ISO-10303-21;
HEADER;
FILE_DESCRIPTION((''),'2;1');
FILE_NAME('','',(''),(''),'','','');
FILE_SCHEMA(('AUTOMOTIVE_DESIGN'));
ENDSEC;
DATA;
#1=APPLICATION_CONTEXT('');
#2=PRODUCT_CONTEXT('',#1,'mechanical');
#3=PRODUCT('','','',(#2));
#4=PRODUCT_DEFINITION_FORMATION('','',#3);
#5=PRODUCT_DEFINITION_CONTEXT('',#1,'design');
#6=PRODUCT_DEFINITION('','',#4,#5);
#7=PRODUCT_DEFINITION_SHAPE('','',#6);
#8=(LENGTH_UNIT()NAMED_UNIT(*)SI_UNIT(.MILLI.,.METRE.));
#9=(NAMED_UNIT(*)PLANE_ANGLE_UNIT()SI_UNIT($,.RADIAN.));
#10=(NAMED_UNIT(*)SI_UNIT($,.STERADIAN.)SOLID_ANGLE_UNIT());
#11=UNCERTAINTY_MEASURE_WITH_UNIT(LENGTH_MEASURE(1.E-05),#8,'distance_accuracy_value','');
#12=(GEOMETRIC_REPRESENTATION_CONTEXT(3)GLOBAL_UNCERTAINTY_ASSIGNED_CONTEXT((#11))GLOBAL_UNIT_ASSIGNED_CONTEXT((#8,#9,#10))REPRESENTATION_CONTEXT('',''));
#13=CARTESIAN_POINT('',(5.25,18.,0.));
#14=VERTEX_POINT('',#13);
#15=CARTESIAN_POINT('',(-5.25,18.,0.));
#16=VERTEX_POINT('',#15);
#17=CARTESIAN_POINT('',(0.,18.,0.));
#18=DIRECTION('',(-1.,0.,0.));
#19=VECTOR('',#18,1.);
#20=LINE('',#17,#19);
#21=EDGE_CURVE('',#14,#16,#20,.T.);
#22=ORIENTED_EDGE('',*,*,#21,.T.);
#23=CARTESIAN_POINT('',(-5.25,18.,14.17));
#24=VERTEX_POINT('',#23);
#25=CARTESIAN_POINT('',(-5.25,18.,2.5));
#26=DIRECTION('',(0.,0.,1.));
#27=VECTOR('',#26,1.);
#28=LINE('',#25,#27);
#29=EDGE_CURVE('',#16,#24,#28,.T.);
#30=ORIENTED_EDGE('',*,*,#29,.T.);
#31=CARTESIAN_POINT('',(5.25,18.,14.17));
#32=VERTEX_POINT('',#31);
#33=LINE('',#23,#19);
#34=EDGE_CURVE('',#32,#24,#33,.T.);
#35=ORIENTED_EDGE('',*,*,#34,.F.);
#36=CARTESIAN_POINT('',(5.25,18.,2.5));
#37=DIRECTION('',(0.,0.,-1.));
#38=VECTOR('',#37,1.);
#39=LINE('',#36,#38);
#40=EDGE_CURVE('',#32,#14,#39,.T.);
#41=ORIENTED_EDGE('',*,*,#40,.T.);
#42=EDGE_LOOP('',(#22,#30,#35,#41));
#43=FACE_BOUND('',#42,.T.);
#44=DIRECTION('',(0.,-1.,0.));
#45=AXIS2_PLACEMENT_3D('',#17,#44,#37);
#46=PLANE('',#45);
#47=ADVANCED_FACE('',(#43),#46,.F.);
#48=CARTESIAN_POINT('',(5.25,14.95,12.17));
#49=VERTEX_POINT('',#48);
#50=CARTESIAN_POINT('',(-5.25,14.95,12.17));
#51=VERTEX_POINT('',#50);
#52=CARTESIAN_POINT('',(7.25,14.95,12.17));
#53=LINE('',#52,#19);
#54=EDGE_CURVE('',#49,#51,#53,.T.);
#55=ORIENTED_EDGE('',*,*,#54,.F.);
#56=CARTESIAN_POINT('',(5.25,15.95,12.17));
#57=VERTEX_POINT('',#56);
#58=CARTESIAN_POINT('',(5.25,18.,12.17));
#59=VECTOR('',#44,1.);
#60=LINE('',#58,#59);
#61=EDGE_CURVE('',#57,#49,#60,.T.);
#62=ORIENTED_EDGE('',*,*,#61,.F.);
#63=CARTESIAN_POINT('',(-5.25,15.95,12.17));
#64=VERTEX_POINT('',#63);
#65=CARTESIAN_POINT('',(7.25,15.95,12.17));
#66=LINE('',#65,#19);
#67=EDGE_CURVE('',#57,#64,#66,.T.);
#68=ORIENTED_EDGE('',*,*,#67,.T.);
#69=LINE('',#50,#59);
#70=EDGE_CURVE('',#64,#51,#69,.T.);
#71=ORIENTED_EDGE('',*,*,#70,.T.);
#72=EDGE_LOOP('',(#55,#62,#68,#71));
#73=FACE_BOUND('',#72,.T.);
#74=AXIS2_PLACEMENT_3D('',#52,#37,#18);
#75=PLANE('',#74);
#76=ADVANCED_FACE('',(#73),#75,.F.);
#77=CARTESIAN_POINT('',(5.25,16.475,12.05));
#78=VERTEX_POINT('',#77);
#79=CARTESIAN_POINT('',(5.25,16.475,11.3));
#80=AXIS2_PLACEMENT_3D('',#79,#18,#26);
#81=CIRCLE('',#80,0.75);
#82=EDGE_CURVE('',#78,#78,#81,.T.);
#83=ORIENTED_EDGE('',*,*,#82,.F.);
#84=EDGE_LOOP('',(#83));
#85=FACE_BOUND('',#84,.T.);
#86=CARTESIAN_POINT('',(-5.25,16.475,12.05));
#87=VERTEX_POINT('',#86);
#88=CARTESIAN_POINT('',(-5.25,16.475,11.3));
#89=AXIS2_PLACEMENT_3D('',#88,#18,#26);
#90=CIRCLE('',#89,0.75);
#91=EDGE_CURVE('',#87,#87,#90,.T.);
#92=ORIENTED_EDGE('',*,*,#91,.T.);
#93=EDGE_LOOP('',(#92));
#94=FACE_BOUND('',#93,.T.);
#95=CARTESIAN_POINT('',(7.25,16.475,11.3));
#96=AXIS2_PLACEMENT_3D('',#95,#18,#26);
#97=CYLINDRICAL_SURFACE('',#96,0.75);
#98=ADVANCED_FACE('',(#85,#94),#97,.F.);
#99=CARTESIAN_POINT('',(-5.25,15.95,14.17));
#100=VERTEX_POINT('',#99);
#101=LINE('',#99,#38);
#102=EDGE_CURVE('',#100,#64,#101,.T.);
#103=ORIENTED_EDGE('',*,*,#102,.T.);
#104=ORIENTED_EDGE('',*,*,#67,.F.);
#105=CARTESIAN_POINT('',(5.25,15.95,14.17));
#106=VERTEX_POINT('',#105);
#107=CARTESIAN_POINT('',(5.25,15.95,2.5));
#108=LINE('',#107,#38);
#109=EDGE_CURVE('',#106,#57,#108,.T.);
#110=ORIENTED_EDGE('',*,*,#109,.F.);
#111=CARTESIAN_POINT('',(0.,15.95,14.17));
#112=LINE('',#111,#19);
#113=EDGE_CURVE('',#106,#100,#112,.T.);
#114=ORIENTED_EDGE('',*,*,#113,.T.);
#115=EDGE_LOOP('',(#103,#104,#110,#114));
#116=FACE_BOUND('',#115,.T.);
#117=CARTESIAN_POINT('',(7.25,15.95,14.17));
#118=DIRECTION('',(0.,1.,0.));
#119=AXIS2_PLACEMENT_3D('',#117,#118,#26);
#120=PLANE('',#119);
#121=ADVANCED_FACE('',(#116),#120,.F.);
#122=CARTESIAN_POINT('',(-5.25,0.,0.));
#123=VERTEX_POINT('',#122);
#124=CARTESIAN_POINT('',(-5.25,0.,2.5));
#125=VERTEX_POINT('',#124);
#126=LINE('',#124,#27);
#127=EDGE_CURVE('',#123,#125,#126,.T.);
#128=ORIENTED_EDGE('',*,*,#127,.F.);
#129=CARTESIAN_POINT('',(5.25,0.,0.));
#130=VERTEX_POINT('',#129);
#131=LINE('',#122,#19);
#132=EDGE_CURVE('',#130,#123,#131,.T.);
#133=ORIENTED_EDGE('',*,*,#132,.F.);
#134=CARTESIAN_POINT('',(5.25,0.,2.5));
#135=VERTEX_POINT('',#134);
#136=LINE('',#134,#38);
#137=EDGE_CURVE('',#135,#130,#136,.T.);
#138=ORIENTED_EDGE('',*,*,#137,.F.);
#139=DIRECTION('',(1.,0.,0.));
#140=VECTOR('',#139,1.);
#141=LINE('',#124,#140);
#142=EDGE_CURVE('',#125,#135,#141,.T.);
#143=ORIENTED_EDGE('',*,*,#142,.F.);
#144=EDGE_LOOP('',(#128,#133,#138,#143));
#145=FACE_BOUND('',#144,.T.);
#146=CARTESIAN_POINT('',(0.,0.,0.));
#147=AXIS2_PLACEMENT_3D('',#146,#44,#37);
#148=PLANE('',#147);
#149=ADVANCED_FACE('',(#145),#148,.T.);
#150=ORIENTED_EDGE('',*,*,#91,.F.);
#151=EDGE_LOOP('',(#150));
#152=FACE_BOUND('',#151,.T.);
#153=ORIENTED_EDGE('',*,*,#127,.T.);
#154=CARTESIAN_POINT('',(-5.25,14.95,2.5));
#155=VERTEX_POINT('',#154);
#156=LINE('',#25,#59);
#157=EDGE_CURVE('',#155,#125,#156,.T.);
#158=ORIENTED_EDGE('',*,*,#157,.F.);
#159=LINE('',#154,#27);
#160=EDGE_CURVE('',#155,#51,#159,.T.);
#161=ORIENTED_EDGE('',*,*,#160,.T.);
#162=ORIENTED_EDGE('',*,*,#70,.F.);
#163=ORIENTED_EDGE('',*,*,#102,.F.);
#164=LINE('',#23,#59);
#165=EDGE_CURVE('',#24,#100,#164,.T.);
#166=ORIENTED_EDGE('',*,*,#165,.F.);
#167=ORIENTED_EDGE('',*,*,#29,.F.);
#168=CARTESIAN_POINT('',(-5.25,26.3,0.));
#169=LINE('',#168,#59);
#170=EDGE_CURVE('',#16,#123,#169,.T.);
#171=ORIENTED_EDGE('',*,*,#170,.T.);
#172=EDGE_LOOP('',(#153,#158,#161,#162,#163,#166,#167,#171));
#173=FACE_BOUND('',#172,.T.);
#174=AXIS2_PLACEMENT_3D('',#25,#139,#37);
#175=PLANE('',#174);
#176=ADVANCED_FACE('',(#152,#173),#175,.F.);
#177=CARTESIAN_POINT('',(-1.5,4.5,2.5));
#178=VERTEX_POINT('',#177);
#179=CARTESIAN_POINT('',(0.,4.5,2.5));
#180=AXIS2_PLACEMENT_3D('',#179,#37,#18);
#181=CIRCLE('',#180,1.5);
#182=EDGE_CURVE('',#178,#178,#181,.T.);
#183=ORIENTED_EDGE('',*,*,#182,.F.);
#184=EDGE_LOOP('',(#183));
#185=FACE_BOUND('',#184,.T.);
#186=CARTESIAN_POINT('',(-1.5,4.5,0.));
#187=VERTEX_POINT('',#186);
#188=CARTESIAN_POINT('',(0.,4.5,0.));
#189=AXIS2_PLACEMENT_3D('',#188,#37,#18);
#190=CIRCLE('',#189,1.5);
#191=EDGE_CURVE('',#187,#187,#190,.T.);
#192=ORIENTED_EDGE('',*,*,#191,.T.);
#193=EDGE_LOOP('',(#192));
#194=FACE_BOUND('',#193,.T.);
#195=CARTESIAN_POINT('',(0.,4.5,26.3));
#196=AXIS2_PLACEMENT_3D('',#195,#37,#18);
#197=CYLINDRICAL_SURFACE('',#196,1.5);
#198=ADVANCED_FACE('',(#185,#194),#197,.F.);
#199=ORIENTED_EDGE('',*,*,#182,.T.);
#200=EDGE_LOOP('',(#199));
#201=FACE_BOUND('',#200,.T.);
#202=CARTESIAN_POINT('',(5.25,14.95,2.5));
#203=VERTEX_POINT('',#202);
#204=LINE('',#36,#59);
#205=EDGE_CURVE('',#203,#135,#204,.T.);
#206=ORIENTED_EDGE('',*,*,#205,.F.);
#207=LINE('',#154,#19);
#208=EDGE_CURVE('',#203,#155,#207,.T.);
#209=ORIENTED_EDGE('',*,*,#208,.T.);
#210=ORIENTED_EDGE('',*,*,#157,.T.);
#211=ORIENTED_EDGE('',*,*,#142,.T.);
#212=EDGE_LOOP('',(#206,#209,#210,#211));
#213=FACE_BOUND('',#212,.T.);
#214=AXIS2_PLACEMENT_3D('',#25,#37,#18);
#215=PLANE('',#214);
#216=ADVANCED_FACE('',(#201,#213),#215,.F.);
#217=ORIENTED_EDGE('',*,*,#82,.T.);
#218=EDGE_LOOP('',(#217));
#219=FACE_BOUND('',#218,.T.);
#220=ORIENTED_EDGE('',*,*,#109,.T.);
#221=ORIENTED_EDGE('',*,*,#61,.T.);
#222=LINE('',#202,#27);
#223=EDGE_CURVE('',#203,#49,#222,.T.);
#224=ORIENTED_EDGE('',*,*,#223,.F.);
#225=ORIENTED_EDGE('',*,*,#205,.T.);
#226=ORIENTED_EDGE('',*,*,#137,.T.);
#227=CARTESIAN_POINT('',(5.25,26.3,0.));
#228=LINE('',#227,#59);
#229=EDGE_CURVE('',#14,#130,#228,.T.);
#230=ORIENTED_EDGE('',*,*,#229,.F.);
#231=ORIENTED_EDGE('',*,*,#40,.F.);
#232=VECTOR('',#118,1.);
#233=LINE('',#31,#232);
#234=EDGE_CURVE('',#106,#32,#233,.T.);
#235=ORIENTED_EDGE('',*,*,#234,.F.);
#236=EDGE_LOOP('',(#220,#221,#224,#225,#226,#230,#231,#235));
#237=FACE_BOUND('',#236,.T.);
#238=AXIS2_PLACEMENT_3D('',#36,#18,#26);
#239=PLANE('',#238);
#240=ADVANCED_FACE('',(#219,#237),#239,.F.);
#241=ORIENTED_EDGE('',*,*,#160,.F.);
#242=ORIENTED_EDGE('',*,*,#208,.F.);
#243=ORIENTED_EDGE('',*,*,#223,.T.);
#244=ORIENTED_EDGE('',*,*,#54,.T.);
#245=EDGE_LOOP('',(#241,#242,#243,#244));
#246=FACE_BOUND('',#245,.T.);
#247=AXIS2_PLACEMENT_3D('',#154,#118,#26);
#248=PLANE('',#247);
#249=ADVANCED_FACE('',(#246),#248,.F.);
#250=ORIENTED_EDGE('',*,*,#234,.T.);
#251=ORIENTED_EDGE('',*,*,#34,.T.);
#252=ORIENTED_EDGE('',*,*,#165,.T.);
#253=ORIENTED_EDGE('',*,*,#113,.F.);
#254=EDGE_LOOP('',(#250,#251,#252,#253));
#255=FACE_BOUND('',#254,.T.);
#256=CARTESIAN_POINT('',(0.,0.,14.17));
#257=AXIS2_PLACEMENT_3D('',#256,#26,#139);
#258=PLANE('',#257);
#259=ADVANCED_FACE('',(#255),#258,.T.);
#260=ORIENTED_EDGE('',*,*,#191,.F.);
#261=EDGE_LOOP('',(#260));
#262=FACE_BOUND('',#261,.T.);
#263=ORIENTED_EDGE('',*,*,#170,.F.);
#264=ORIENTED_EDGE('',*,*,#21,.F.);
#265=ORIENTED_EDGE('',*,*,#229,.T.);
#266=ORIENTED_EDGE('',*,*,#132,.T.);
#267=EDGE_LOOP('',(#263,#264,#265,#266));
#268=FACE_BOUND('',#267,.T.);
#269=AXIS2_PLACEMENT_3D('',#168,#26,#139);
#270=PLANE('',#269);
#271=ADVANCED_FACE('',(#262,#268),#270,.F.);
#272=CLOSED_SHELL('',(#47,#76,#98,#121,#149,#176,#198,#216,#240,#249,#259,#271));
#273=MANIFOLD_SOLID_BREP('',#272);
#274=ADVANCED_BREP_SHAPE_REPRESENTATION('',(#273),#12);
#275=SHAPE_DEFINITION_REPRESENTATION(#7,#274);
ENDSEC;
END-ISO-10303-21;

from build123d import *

# Parameters (mm, degrees)
SKETCH1_W           = 10.5
SKETCH1_H           = 5
BOSS_EXTRUDE1_DEPTH = 18
SKETCH2_W           = 10.5
SKETCH2_H           = 5
BOSS_EXTRUDE2_DEPTH = 7.3
SKETCH3_W           = 10.5
SKETCH3_H           = 1.95
CUT_EXTRUDE1_DEPTH  = 7.3
SKETCH4_W           = 10.5
SKETCH4_H           = 2.5
CUT_EXTRUDE2_DEPTH  = 26.3
SKETCH5_R           = 1.5
CUT_EXTRUDE3_DEPTH  = 26.3
SKETCH6_W           = 1.13
SKETCH6_H           = 3.05
CUT_EXTRUDE4_DEPTH  = 26.3
SKETCH10_W          = 10.5
SKETCH10_H          = 3.05
BOSS_EXTRUDE3_DEPTH = 5.5
SKETCH11_R          = 0.75
CUT_EXTRUDE6_DEPTH  = 12.5
SKETCH12_W          = 2
SKETCH12_H          = 1
CUT_EXTRUDE7_DEPTH  = 12.5


with BuildPart() as part:
    # Sketch1 → Boss-Extrude1 (new body)
    with BuildSketch(Plane(origin=(0, 0, 0), x_dir=(1, 0, 0), z_dir=(0, 1, 0))):
        Rectangle(SKETCH1_W, SKETCH1_H)
    extrude(amount=BOSS_EXTRUDE1_DEPTH)

    # Sketch2 → Boss-Extrude2 (add)
    with BuildSketch(Plane.XY.offset(2.5)):
        with Locations((0, 15.5)):
            Rectangle(SKETCH2_W, SKETCH2_H)
    extrude(amount=BOSS_EXTRUDE2_DEPTH)

    # Sketch3 → Cut-Extrude1 (cut)
    with BuildSketch(Plane.XY.offset(9.8)):
        with Locations((0, 13.975)):
            Rectangle(SKETCH3_W, SKETCH3_H)
    extrude(amount=-CUT_EXTRUDE1_DEPTH, mode=Mode.SUBTRACT)

    # Sketch4 → Cut-Extrude2 (cut)
    with BuildSketch(Plane(origin=(0, 0, 0), x_dir=(-1, 0, 0), z_dir=(0, -1, 0))):
        with Locations((0, 1.25)):
            Rectangle(SKETCH4_W, SKETCH4_H)
    extrude(amount=-CUT_EXTRUDE2_DEPTH, mode=Mode.SUBTRACT)

    # Sketch5 → Cut-Extrude3 (cut)
    with BuildSketch(Plane(origin=(0, 0, 0), x_dir=(-1, 0, 0), z_dir=(0, 0, -1))):
        with Locations((0, 4.5)):
            Circle(SKETCH5_R)
    extrude(amount=-CUT_EXTRUDE3_DEPTH, mode=Mode.SUBTRACT)

    # Sketch6 → Cut-Extrude4 (cut)
    with BuildSketch(Plane.ZY.offset(5.25)):
        with Locations((9.235, 16.475)):
            Rectangle(SKETCH6_W, SKETCH6_H)
    extrude(amount=-CUT_EXTRUDE4_DEPTH, mode=Mode.SUBTRACT)

    # Sketch10 → Boss-Extrude3 (add)
    with BuildSketch(Plane.XY.offset(8.67)):
        with Locations((0, 16.475)):
            Rectangle(SKETCH10_W, SKETCH10_H)
    extrude(amount=BOSS_EXTRUDE3_DEPTH)

    # Sketch11 → Cut-Extrude6 (cut)
    with BuildSketch(Plane.ZY.offset(5.25)):
        with Locations((11.3, 16.475)):
            Circle(SKETCH11_R)
    extrude(amount=-CUT_EXTRUDE6_DEPTH, mode=Mode.SUBTRACT)

    # Sketch12 → Cut-Extrude7 (cut)
    with BuildSketch(Plane.ZY.offset(5.25)):
        with Locations((13.17, 15.45)):
            Rectangle(SKETCH12_W, SKETCH12_H)
    extrude(amount=-CUT_EXTRUDE7_DEPTH, mode=Mode.SUBTRACT)


solid = part.part
